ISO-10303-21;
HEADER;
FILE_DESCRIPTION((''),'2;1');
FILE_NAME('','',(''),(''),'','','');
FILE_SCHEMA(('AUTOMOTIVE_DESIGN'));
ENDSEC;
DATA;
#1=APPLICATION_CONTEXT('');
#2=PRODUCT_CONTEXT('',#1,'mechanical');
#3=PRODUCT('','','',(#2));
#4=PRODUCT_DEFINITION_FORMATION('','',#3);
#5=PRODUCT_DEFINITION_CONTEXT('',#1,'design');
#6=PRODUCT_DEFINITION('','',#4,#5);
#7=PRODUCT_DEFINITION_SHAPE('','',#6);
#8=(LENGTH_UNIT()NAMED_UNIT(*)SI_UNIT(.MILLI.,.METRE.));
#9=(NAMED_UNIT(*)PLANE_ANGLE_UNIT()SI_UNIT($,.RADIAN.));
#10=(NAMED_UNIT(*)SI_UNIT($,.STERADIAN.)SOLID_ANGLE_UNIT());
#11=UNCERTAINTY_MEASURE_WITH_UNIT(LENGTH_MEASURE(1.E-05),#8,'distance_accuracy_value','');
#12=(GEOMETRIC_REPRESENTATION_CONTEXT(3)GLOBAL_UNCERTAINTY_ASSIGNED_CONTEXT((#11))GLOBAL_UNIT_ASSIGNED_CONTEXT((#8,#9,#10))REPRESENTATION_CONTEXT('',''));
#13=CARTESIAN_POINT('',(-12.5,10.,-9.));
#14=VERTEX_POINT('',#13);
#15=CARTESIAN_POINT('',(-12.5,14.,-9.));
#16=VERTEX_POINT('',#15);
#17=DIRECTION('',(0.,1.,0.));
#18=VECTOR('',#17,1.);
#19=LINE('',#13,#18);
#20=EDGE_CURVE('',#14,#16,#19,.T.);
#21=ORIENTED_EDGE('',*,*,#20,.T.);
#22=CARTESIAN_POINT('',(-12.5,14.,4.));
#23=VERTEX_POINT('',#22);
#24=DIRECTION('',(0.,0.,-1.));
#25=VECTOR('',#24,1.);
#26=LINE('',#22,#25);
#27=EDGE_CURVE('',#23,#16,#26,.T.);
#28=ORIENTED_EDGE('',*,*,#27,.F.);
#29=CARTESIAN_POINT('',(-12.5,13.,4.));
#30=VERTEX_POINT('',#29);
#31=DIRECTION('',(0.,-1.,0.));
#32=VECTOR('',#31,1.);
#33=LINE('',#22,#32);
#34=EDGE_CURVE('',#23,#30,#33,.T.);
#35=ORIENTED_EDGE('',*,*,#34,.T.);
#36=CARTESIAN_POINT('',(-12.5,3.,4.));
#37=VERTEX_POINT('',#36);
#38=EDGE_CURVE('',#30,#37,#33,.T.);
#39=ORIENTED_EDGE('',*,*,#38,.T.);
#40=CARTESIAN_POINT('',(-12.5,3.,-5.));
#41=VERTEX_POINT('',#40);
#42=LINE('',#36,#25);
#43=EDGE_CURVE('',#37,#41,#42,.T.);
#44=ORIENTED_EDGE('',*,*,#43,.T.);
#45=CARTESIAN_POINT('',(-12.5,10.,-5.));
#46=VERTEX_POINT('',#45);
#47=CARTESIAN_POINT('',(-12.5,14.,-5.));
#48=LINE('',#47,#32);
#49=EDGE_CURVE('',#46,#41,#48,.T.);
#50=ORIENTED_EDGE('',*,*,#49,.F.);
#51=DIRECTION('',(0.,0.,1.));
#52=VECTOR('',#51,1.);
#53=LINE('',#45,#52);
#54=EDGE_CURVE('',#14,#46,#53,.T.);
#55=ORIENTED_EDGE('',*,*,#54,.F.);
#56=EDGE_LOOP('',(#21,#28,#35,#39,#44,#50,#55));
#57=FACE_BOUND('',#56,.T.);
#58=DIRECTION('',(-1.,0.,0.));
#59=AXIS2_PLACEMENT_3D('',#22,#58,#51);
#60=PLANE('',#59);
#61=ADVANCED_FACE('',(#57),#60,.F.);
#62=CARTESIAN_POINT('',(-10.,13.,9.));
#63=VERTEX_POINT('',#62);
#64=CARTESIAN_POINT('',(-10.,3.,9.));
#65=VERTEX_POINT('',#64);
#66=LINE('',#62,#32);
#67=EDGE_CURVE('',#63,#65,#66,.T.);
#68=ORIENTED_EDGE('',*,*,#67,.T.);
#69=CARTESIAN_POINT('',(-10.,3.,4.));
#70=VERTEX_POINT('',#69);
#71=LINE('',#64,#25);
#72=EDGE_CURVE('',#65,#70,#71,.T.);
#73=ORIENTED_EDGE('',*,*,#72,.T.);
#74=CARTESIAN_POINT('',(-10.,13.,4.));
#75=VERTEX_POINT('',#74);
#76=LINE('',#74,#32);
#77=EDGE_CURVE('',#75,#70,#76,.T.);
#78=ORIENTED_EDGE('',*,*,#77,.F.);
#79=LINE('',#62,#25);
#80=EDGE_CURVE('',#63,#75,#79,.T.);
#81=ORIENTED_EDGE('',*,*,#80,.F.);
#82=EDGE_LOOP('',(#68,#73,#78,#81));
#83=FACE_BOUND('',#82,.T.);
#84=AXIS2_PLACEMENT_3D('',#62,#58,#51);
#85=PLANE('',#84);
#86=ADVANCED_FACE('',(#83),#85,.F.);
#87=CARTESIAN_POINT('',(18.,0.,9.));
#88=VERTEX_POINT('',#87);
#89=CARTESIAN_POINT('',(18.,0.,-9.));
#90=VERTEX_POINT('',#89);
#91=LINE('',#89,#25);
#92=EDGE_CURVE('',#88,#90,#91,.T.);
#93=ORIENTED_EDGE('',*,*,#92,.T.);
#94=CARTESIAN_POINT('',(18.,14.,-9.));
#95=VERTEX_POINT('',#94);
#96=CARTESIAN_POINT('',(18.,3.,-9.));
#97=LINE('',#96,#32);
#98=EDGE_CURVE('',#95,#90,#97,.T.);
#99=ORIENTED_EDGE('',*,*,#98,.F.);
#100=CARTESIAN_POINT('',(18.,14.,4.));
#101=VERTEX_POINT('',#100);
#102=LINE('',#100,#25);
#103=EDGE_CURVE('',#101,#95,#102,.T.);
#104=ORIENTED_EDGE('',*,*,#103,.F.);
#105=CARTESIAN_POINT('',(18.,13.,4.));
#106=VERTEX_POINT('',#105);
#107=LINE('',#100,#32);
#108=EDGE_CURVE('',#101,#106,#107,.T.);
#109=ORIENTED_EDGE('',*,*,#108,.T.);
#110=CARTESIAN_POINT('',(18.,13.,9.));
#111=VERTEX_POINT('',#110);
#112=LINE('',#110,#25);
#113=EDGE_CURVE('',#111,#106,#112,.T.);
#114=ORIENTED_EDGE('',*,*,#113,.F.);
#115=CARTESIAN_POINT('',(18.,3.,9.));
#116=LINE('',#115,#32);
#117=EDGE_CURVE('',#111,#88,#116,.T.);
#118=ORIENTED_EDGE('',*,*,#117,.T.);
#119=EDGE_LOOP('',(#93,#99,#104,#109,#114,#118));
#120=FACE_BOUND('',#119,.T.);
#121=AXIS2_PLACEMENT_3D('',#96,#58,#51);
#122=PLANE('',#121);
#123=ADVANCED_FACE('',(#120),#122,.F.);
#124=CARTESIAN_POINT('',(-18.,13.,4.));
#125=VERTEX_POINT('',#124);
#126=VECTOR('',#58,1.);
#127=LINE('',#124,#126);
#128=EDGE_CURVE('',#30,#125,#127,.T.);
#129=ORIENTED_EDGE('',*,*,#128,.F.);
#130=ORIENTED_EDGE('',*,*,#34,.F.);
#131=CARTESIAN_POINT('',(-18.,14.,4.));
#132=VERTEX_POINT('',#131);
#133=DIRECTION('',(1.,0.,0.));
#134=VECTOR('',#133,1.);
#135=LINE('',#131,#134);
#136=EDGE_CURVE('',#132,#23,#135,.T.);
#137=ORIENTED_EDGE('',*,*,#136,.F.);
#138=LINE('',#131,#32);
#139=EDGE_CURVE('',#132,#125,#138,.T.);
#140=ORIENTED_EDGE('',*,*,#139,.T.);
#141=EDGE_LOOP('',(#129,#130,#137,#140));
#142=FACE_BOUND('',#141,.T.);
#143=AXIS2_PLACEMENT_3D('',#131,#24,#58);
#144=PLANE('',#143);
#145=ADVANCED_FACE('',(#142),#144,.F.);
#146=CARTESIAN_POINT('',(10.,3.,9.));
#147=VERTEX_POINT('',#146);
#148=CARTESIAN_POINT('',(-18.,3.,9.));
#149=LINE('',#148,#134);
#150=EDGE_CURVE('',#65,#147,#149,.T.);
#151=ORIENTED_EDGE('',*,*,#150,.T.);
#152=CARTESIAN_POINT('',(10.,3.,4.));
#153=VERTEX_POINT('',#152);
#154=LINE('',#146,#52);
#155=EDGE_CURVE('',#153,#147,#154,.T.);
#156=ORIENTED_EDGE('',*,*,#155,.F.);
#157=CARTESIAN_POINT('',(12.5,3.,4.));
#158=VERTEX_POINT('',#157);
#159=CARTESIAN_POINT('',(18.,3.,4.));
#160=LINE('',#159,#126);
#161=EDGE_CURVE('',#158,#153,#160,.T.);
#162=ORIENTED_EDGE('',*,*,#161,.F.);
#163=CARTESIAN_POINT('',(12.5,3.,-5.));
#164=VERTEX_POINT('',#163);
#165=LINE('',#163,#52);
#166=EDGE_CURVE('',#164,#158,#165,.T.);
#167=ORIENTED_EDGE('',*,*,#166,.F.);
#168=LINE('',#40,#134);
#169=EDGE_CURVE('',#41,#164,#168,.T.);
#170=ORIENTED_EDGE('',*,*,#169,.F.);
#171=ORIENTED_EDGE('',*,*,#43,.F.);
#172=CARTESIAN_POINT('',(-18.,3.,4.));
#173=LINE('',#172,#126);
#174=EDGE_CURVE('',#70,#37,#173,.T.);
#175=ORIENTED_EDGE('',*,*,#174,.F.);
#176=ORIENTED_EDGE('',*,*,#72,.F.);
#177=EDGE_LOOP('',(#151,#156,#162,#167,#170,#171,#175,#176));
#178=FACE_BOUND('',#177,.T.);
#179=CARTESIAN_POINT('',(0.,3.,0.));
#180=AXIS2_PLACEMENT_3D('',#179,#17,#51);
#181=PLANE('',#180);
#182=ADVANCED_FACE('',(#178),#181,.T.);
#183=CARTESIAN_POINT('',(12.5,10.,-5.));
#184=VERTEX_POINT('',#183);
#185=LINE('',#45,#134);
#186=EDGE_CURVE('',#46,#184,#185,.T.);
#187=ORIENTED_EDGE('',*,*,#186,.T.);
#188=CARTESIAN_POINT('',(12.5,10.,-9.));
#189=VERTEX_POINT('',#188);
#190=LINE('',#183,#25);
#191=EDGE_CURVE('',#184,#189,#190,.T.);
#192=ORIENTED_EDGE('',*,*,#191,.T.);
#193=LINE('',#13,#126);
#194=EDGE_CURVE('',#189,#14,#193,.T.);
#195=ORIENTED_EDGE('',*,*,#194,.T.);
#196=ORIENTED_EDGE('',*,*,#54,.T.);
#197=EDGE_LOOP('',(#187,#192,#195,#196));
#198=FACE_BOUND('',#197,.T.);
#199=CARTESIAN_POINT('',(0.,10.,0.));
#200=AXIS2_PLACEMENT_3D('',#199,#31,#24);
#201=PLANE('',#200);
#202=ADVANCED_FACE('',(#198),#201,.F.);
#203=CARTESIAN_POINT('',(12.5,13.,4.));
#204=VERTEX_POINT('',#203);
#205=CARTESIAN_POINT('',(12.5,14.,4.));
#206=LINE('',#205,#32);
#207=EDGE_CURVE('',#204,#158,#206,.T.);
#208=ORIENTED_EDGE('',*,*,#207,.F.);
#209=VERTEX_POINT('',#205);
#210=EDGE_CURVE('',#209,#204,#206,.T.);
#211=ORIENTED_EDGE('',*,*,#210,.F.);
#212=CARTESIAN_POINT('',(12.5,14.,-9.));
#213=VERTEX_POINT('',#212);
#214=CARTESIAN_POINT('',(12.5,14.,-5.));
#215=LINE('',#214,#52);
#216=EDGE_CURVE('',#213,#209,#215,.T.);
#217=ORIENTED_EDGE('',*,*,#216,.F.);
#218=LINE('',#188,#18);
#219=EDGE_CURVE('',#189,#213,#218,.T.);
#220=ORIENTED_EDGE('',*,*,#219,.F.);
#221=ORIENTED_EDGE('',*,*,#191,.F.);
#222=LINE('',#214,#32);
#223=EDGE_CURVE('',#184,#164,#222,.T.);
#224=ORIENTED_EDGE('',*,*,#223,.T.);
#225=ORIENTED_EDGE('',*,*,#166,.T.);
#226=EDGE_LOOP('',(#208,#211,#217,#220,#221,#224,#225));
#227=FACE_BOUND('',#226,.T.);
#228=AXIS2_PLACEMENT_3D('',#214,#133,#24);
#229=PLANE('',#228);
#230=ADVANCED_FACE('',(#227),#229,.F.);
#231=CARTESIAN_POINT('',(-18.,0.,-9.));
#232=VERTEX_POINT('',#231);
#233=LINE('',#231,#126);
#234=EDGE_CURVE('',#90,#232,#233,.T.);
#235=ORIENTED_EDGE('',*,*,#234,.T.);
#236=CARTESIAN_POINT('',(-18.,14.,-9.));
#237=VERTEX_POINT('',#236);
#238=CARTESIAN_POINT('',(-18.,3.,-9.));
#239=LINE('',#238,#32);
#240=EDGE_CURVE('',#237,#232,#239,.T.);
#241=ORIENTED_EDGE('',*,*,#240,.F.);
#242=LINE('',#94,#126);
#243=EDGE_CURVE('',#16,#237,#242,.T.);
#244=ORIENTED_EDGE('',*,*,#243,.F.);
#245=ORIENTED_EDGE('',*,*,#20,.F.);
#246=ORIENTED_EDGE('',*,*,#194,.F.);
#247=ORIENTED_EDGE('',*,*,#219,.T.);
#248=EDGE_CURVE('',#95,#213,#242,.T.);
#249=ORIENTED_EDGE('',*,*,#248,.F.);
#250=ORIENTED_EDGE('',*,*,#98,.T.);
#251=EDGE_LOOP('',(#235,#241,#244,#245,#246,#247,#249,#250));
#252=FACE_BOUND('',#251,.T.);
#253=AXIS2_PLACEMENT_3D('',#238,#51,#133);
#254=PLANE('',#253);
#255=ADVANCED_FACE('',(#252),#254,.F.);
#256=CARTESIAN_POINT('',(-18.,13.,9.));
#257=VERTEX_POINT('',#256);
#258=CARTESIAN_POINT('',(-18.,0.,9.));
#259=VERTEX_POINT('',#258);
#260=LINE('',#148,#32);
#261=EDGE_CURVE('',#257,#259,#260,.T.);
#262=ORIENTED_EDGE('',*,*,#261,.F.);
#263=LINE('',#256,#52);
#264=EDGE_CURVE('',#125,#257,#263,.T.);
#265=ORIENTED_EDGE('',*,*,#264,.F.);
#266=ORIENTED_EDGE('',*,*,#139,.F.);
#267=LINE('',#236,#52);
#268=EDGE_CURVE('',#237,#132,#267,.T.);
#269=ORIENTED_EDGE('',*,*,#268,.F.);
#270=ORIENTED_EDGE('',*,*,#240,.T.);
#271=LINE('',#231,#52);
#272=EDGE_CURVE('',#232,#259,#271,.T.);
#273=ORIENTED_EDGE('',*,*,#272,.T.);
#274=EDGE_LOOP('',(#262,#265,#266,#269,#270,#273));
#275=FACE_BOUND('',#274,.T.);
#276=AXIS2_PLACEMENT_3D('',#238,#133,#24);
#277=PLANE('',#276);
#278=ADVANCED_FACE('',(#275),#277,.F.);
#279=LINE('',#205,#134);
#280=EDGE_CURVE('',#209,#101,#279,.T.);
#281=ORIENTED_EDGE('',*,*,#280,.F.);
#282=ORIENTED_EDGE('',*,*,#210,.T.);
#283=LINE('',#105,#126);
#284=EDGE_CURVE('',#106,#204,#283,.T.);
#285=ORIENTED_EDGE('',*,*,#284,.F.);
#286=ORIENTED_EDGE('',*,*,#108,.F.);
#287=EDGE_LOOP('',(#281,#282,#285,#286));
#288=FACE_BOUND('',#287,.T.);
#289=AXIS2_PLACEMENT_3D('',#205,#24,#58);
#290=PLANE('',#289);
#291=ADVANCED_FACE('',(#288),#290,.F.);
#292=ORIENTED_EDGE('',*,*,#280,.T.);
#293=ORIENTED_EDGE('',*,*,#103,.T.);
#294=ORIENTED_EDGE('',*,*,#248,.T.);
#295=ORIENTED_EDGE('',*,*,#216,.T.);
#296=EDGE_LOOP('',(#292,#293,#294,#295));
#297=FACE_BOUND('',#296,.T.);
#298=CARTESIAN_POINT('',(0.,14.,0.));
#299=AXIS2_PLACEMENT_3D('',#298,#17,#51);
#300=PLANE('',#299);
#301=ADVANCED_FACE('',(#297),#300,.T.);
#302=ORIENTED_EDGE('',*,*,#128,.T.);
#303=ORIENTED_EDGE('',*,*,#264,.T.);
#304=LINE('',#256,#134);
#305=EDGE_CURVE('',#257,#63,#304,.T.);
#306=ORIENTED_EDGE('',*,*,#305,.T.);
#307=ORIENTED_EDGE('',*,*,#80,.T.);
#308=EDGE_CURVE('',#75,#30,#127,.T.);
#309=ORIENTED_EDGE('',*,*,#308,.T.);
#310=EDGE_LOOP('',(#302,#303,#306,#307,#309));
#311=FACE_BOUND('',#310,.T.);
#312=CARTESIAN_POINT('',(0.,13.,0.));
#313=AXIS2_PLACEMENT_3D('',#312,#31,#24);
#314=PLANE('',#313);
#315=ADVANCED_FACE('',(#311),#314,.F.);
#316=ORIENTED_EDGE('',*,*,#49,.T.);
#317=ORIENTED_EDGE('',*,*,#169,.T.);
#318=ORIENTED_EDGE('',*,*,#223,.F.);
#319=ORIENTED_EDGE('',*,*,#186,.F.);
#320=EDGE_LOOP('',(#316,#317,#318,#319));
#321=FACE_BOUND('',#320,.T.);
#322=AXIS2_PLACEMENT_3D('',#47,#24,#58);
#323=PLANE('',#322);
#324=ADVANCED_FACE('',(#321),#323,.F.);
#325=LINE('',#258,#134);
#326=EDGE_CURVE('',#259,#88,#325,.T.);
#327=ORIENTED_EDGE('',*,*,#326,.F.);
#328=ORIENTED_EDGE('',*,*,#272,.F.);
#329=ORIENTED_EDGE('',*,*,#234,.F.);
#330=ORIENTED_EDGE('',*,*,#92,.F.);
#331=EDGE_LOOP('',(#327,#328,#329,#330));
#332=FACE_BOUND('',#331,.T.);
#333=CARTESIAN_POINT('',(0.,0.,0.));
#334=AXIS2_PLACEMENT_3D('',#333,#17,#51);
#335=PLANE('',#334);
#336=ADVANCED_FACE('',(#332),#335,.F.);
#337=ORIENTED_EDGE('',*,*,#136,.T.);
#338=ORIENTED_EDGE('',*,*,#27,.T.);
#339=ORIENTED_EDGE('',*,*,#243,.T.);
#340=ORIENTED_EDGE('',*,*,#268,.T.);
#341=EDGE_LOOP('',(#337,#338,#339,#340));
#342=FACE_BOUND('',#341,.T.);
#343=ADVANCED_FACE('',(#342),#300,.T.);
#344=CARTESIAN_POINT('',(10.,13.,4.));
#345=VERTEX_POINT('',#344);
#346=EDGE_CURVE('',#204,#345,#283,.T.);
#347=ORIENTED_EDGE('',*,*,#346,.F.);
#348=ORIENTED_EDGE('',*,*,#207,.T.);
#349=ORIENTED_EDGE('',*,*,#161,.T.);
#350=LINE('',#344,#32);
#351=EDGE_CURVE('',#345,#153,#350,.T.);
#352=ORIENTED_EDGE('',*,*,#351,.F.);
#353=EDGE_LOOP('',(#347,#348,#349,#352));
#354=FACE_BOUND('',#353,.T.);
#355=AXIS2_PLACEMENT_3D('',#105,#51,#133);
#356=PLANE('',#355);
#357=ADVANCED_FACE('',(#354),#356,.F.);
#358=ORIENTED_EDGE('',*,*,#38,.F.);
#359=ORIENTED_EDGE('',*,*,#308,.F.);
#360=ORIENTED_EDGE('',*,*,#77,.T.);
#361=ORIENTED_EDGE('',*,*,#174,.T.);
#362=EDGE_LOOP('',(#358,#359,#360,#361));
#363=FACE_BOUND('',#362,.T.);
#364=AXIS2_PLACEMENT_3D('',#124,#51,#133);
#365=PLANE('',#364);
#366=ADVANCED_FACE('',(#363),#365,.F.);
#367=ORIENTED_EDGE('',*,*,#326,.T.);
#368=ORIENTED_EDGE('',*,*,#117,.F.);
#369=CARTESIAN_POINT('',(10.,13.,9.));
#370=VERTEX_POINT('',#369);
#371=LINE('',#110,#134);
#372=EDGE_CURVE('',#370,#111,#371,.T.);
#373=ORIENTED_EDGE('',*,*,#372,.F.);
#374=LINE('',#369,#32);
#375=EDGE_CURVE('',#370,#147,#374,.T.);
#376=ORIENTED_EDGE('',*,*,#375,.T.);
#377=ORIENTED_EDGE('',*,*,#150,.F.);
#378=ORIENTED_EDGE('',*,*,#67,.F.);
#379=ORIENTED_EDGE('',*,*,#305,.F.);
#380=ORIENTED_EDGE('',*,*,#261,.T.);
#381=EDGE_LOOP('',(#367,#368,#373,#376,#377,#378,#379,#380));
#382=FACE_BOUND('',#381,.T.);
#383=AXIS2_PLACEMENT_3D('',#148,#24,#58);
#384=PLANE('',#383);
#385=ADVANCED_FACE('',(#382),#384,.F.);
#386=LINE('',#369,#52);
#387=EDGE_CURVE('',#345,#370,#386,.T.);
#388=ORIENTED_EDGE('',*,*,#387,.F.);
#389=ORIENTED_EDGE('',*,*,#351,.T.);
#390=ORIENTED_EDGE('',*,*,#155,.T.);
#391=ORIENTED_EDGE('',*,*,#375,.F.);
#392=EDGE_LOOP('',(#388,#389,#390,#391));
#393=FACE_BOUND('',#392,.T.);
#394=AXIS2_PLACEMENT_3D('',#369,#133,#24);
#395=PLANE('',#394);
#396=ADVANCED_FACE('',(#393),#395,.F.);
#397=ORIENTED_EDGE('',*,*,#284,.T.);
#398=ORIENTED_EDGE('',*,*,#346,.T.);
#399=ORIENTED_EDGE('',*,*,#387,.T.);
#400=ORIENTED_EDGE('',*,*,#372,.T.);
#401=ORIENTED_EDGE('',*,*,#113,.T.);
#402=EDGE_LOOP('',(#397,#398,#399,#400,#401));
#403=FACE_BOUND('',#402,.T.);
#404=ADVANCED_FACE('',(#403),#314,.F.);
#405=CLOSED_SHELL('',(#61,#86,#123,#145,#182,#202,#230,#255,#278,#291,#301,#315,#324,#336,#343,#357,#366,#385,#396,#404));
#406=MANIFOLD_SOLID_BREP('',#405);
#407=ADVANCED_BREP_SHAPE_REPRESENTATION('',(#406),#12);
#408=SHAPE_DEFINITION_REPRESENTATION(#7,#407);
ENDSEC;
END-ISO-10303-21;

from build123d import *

# Parameters (mm, degrees)
SKETCH_1_W          = 36
SKETCH_1_H          = 18
EXTRUDE_1_DEPTH     = 3
SKETCH_2_W          = 8
SKETCH_2_H          = 5
EXTRUDE_2_DEPTH     = 10
EXTRUDE_3_DEPTH     = 11
SKETCH_4_W          = 25
SKETCH_4_H          = 4
CUT_EXTRUDE_1_DEPTH = 4


with BuildPart() as part:
    # 草图1 → 凸台-拉伸1 (new body)
    with BuildSketch(Plane(origin=(0, 0, 0), x_dir=(1, 0, 0), z_dir=(0, 1, 0))):
        Rectangle(SKETCH_1_W, SKETCH_1_H)
    extrude(amount=EXTRUDE_1_DEPTH)

    # 草图2 → 凸台-拉伸2 (add)
    with BuildSketch(Plane(origin=(0, 3, 0), x_dir=(1, 0, 0), z_dir=(0, 1, 0))):
        with Locations((-14, -6.5)):
            Rectangle(SKETCH_2_W, SKETCH_2_H)
        with Locations((14, -6.5)):
            Rectangle(SKETCH_2_W, SKETCH_2_H)
    extrude(amount=EXTRUDE_2_DEPTH)

    # 草图3 → 凸台-拉伸3 (add)
    with BuildSketch(Plane(origin=(0, 3, 0), x_dir=(1, 0, 0), z_dir=(0, 1, 0))):
        Polygon((-18, 9), (-18, -4), (-12.5, -4), (-12.5, 5), (12.5, 5), (12.5, -4), (18, -4), (18, 9), align=None)
    extrude(amount=EXTRUDE_3_DEPTH)

    # 草图4 → 切除-拉伸1 (cut)
    with BuildSketch(Plane(origin=(0, 14, 0), x_dir=(1, 0, 0), z_dir=(0, 1, 0))):
        with Locations((0, 7)):
            Rectangle(SKETCH_4_W, SKETCH_4_H)
    extrude(amount=-CUT_EXTRUDE_1_DEPTH, mode=Mode.SUBTRACT)


solid = part.part
